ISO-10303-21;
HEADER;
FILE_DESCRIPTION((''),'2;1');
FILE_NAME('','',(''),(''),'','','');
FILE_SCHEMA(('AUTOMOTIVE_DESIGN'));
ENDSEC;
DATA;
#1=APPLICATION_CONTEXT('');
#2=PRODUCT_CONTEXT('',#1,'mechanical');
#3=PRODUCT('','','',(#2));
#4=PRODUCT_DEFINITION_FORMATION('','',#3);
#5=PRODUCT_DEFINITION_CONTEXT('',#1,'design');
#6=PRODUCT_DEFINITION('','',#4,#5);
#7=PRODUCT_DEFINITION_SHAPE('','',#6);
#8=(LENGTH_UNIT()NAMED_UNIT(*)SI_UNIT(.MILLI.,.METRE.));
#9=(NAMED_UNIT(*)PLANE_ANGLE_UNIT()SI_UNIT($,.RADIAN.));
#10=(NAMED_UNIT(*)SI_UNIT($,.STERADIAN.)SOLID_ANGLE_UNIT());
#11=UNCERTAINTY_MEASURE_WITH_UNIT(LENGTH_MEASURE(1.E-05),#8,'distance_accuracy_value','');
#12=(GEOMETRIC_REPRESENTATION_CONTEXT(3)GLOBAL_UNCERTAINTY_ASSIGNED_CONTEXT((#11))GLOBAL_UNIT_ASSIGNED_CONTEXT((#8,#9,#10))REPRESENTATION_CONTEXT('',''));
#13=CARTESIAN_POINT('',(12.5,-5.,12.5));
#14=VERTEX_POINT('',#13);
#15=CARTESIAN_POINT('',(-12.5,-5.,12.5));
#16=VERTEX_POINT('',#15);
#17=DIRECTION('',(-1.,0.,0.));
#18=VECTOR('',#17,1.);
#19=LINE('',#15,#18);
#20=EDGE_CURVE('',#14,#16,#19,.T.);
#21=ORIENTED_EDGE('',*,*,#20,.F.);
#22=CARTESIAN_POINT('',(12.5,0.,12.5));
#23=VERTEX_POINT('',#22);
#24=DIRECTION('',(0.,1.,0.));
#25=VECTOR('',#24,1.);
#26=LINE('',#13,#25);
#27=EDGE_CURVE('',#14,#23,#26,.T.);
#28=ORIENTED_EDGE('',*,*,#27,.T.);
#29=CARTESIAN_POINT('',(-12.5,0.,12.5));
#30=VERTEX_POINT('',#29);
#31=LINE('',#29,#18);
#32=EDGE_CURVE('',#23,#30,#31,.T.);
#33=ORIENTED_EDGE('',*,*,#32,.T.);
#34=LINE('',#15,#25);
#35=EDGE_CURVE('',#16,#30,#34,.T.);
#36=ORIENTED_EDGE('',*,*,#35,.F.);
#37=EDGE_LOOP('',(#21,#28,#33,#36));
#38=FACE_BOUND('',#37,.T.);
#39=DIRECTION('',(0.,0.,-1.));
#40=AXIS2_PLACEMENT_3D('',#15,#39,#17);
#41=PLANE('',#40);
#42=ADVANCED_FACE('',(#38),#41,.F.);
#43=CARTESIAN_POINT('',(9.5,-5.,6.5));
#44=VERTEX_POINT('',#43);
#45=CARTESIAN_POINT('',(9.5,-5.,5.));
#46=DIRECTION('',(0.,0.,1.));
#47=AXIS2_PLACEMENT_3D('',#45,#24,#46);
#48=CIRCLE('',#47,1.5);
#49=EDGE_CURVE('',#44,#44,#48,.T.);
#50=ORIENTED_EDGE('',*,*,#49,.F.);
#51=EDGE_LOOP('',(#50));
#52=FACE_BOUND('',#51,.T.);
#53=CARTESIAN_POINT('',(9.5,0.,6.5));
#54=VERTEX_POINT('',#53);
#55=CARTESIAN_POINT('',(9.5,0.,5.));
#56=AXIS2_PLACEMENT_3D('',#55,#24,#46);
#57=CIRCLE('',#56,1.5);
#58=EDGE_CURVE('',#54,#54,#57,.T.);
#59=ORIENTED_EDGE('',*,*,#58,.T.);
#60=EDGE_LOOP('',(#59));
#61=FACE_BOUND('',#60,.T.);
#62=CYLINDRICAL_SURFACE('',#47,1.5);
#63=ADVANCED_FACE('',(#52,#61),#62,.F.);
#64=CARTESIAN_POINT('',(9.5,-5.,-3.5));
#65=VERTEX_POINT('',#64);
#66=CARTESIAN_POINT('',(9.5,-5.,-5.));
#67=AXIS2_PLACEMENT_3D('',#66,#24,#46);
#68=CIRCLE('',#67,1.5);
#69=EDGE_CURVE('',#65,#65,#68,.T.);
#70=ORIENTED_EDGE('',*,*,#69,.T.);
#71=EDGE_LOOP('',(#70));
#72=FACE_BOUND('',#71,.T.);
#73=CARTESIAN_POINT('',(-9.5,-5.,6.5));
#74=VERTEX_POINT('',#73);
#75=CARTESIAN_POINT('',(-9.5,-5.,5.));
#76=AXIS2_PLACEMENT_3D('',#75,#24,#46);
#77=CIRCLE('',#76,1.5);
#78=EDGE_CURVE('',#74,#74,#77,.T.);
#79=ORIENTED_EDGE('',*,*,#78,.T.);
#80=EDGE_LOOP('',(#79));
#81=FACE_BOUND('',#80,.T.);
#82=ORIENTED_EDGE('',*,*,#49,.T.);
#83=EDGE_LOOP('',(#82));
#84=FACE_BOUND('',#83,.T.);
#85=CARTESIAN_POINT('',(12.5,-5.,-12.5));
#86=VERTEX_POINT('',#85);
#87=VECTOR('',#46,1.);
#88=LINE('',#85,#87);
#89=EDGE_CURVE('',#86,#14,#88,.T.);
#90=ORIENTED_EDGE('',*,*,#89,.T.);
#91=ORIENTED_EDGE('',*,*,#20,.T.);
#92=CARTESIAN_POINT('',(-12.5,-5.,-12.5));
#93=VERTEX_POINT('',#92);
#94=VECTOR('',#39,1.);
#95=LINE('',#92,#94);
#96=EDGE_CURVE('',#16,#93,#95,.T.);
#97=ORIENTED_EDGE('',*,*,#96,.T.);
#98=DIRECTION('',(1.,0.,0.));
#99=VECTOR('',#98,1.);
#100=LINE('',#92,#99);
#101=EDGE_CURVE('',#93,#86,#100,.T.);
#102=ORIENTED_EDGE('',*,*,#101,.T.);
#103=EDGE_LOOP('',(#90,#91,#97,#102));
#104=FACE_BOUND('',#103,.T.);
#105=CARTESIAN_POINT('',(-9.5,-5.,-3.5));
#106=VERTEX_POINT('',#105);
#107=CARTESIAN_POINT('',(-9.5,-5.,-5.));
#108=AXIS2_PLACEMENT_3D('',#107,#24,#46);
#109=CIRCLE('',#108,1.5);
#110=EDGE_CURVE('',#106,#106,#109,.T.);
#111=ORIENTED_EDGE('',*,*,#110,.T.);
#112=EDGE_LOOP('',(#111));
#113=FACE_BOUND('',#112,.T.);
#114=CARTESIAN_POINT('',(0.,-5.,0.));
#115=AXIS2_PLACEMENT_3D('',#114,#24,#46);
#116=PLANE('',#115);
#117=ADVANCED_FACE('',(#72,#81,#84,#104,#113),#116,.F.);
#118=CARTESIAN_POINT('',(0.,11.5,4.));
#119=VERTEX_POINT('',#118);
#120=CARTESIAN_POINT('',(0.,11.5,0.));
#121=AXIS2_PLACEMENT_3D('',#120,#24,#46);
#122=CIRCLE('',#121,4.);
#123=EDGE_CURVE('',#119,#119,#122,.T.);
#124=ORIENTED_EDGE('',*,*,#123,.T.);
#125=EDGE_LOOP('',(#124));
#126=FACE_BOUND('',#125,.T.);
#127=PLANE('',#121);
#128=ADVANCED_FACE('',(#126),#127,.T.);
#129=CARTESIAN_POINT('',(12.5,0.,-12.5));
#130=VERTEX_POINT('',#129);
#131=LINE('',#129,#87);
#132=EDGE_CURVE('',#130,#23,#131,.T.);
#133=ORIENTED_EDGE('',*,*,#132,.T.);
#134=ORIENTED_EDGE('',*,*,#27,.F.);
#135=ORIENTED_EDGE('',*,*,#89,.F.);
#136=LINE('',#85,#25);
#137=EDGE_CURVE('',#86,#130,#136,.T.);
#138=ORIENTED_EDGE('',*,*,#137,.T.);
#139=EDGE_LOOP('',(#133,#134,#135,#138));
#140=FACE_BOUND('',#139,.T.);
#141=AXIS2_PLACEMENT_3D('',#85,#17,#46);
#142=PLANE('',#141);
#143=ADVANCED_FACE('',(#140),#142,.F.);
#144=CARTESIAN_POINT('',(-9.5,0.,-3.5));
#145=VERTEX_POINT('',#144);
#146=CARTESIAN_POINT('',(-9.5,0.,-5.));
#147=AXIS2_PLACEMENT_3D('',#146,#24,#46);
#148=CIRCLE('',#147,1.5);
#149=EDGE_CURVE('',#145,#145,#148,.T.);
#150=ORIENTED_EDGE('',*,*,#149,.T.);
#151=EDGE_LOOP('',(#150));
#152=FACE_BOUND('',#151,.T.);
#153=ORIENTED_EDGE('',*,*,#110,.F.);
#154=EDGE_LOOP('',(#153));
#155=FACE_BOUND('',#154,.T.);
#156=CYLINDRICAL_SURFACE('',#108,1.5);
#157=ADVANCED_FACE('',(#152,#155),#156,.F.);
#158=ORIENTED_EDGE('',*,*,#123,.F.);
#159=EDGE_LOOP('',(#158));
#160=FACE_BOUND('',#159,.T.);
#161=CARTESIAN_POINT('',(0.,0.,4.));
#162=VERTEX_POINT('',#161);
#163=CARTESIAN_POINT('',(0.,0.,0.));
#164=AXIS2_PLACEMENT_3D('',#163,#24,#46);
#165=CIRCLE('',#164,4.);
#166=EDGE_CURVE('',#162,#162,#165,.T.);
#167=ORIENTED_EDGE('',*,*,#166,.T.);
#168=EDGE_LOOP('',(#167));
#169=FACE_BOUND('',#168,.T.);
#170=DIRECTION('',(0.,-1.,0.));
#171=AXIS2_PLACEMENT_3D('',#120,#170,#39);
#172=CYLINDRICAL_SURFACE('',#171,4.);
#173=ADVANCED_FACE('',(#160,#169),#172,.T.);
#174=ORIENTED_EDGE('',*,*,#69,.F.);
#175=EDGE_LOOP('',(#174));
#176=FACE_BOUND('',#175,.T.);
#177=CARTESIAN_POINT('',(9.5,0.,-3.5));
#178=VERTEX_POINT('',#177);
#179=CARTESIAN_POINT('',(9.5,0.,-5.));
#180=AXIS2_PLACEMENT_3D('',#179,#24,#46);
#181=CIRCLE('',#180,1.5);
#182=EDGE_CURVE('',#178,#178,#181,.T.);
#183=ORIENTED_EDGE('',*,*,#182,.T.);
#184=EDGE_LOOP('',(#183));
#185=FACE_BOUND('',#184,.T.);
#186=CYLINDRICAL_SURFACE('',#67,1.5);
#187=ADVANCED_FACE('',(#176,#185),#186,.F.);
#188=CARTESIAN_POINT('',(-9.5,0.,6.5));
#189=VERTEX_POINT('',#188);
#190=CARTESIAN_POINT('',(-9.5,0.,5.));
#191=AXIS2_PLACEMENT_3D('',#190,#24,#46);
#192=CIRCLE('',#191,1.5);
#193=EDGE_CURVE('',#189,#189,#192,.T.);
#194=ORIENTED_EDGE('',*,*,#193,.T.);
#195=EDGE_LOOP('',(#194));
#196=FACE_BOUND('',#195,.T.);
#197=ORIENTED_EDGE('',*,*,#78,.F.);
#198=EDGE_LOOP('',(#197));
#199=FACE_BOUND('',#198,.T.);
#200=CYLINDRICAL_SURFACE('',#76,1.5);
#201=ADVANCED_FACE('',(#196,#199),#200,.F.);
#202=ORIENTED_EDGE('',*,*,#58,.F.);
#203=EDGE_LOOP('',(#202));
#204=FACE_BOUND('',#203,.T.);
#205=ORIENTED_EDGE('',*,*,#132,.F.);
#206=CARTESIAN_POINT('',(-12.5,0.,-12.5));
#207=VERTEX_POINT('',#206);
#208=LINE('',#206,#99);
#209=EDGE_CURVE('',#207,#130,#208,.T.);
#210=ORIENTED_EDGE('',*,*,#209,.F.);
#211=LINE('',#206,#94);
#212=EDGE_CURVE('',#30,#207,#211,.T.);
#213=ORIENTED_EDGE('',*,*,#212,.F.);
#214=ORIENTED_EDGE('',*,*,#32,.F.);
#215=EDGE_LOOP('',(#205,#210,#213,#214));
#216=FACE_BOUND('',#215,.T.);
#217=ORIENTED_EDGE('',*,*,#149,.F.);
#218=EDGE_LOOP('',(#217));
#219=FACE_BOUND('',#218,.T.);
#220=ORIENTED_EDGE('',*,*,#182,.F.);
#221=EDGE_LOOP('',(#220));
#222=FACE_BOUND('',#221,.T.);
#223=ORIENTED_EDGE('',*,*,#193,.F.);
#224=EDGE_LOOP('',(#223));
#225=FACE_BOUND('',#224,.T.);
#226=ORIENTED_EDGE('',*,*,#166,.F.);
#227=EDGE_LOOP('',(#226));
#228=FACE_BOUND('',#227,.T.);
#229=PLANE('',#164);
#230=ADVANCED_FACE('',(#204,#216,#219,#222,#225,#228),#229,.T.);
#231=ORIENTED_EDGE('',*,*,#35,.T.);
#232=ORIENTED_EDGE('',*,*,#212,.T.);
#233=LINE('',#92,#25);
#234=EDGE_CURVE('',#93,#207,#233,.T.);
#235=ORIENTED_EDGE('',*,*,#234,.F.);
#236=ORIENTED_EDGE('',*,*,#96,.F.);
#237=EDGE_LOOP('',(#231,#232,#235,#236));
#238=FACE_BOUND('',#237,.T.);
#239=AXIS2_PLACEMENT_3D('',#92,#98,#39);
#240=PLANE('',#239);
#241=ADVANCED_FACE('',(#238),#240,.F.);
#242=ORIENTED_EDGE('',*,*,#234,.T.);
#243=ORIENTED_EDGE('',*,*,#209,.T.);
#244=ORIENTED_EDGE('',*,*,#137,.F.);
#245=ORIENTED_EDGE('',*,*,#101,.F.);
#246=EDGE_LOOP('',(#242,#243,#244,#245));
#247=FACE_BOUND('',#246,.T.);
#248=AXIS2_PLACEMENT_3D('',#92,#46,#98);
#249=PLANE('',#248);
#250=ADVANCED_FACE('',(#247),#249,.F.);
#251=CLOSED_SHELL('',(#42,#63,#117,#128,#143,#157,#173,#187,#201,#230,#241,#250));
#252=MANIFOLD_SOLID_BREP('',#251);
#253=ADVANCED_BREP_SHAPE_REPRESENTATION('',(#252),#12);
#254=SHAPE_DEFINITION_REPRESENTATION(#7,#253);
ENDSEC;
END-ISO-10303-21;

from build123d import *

# Parameters (mm, degrees)
SKETCH_1_R          = 4
EXTRUDE_1_DEPTH     = 11.5
SKETCH_3_W          = 25
SKETCH_3_H          = 25
EXTRUDE_2_DEPTH     = 5
SKETCH_4_R          = 1.5
CUT_EXTRUDE_2_DEPTH = 5


with BuildPart() as part:
    # 草图1 → 凸台-拉伸1 (new body)
    with BuildSketch(Plane(origin=(0, 0, 0), x_dir=(1, 0, 0), z_dir=(0, 1, 0))):
        with Locations(Location((0, 0, 0), (0, 0, 270))):
            Circle(SKETCH_1_R)
    extrude(amount=EXTRUDE_1_DEPTH)

    # 草图3 → 凸台-拉伸2 (add)
    with BuildSketch(Plane.XZ):
        Rectangle(SKETCH_3_W, SKETCH_3_H)
    extrude(amount=EXTRUDE_2_DEPTH)

    # 草图4 → 切除-拉伸2 (cut)
    with BuildSketch(Plane(origin=(0, 0, 0), x_dir=(1, 0, 0), z_dir=(0, 1, 0))):
        with Locations(Location((9.5, 5, 0), (0, 0, 270))):
            Circle(SKETCH_4_R)
        with Locations(Location((9.5, -5, 0), (0, 0, 270))):
            Circle(SKETCH_4_R)
        with Locations(Location((-9.5, -5, 0), (0, 0, 270))):
            Circle(SKETCH_4_R)
        with Locations(Location((-9.5, 5, 0), (0, 0, 270))):
            Circle(SKETCH_4_R)
    extrude(amount=-CUT_EXTRUDE_2_DEPTH, mode=Mode.SUBTRACT)


solid = part.part
